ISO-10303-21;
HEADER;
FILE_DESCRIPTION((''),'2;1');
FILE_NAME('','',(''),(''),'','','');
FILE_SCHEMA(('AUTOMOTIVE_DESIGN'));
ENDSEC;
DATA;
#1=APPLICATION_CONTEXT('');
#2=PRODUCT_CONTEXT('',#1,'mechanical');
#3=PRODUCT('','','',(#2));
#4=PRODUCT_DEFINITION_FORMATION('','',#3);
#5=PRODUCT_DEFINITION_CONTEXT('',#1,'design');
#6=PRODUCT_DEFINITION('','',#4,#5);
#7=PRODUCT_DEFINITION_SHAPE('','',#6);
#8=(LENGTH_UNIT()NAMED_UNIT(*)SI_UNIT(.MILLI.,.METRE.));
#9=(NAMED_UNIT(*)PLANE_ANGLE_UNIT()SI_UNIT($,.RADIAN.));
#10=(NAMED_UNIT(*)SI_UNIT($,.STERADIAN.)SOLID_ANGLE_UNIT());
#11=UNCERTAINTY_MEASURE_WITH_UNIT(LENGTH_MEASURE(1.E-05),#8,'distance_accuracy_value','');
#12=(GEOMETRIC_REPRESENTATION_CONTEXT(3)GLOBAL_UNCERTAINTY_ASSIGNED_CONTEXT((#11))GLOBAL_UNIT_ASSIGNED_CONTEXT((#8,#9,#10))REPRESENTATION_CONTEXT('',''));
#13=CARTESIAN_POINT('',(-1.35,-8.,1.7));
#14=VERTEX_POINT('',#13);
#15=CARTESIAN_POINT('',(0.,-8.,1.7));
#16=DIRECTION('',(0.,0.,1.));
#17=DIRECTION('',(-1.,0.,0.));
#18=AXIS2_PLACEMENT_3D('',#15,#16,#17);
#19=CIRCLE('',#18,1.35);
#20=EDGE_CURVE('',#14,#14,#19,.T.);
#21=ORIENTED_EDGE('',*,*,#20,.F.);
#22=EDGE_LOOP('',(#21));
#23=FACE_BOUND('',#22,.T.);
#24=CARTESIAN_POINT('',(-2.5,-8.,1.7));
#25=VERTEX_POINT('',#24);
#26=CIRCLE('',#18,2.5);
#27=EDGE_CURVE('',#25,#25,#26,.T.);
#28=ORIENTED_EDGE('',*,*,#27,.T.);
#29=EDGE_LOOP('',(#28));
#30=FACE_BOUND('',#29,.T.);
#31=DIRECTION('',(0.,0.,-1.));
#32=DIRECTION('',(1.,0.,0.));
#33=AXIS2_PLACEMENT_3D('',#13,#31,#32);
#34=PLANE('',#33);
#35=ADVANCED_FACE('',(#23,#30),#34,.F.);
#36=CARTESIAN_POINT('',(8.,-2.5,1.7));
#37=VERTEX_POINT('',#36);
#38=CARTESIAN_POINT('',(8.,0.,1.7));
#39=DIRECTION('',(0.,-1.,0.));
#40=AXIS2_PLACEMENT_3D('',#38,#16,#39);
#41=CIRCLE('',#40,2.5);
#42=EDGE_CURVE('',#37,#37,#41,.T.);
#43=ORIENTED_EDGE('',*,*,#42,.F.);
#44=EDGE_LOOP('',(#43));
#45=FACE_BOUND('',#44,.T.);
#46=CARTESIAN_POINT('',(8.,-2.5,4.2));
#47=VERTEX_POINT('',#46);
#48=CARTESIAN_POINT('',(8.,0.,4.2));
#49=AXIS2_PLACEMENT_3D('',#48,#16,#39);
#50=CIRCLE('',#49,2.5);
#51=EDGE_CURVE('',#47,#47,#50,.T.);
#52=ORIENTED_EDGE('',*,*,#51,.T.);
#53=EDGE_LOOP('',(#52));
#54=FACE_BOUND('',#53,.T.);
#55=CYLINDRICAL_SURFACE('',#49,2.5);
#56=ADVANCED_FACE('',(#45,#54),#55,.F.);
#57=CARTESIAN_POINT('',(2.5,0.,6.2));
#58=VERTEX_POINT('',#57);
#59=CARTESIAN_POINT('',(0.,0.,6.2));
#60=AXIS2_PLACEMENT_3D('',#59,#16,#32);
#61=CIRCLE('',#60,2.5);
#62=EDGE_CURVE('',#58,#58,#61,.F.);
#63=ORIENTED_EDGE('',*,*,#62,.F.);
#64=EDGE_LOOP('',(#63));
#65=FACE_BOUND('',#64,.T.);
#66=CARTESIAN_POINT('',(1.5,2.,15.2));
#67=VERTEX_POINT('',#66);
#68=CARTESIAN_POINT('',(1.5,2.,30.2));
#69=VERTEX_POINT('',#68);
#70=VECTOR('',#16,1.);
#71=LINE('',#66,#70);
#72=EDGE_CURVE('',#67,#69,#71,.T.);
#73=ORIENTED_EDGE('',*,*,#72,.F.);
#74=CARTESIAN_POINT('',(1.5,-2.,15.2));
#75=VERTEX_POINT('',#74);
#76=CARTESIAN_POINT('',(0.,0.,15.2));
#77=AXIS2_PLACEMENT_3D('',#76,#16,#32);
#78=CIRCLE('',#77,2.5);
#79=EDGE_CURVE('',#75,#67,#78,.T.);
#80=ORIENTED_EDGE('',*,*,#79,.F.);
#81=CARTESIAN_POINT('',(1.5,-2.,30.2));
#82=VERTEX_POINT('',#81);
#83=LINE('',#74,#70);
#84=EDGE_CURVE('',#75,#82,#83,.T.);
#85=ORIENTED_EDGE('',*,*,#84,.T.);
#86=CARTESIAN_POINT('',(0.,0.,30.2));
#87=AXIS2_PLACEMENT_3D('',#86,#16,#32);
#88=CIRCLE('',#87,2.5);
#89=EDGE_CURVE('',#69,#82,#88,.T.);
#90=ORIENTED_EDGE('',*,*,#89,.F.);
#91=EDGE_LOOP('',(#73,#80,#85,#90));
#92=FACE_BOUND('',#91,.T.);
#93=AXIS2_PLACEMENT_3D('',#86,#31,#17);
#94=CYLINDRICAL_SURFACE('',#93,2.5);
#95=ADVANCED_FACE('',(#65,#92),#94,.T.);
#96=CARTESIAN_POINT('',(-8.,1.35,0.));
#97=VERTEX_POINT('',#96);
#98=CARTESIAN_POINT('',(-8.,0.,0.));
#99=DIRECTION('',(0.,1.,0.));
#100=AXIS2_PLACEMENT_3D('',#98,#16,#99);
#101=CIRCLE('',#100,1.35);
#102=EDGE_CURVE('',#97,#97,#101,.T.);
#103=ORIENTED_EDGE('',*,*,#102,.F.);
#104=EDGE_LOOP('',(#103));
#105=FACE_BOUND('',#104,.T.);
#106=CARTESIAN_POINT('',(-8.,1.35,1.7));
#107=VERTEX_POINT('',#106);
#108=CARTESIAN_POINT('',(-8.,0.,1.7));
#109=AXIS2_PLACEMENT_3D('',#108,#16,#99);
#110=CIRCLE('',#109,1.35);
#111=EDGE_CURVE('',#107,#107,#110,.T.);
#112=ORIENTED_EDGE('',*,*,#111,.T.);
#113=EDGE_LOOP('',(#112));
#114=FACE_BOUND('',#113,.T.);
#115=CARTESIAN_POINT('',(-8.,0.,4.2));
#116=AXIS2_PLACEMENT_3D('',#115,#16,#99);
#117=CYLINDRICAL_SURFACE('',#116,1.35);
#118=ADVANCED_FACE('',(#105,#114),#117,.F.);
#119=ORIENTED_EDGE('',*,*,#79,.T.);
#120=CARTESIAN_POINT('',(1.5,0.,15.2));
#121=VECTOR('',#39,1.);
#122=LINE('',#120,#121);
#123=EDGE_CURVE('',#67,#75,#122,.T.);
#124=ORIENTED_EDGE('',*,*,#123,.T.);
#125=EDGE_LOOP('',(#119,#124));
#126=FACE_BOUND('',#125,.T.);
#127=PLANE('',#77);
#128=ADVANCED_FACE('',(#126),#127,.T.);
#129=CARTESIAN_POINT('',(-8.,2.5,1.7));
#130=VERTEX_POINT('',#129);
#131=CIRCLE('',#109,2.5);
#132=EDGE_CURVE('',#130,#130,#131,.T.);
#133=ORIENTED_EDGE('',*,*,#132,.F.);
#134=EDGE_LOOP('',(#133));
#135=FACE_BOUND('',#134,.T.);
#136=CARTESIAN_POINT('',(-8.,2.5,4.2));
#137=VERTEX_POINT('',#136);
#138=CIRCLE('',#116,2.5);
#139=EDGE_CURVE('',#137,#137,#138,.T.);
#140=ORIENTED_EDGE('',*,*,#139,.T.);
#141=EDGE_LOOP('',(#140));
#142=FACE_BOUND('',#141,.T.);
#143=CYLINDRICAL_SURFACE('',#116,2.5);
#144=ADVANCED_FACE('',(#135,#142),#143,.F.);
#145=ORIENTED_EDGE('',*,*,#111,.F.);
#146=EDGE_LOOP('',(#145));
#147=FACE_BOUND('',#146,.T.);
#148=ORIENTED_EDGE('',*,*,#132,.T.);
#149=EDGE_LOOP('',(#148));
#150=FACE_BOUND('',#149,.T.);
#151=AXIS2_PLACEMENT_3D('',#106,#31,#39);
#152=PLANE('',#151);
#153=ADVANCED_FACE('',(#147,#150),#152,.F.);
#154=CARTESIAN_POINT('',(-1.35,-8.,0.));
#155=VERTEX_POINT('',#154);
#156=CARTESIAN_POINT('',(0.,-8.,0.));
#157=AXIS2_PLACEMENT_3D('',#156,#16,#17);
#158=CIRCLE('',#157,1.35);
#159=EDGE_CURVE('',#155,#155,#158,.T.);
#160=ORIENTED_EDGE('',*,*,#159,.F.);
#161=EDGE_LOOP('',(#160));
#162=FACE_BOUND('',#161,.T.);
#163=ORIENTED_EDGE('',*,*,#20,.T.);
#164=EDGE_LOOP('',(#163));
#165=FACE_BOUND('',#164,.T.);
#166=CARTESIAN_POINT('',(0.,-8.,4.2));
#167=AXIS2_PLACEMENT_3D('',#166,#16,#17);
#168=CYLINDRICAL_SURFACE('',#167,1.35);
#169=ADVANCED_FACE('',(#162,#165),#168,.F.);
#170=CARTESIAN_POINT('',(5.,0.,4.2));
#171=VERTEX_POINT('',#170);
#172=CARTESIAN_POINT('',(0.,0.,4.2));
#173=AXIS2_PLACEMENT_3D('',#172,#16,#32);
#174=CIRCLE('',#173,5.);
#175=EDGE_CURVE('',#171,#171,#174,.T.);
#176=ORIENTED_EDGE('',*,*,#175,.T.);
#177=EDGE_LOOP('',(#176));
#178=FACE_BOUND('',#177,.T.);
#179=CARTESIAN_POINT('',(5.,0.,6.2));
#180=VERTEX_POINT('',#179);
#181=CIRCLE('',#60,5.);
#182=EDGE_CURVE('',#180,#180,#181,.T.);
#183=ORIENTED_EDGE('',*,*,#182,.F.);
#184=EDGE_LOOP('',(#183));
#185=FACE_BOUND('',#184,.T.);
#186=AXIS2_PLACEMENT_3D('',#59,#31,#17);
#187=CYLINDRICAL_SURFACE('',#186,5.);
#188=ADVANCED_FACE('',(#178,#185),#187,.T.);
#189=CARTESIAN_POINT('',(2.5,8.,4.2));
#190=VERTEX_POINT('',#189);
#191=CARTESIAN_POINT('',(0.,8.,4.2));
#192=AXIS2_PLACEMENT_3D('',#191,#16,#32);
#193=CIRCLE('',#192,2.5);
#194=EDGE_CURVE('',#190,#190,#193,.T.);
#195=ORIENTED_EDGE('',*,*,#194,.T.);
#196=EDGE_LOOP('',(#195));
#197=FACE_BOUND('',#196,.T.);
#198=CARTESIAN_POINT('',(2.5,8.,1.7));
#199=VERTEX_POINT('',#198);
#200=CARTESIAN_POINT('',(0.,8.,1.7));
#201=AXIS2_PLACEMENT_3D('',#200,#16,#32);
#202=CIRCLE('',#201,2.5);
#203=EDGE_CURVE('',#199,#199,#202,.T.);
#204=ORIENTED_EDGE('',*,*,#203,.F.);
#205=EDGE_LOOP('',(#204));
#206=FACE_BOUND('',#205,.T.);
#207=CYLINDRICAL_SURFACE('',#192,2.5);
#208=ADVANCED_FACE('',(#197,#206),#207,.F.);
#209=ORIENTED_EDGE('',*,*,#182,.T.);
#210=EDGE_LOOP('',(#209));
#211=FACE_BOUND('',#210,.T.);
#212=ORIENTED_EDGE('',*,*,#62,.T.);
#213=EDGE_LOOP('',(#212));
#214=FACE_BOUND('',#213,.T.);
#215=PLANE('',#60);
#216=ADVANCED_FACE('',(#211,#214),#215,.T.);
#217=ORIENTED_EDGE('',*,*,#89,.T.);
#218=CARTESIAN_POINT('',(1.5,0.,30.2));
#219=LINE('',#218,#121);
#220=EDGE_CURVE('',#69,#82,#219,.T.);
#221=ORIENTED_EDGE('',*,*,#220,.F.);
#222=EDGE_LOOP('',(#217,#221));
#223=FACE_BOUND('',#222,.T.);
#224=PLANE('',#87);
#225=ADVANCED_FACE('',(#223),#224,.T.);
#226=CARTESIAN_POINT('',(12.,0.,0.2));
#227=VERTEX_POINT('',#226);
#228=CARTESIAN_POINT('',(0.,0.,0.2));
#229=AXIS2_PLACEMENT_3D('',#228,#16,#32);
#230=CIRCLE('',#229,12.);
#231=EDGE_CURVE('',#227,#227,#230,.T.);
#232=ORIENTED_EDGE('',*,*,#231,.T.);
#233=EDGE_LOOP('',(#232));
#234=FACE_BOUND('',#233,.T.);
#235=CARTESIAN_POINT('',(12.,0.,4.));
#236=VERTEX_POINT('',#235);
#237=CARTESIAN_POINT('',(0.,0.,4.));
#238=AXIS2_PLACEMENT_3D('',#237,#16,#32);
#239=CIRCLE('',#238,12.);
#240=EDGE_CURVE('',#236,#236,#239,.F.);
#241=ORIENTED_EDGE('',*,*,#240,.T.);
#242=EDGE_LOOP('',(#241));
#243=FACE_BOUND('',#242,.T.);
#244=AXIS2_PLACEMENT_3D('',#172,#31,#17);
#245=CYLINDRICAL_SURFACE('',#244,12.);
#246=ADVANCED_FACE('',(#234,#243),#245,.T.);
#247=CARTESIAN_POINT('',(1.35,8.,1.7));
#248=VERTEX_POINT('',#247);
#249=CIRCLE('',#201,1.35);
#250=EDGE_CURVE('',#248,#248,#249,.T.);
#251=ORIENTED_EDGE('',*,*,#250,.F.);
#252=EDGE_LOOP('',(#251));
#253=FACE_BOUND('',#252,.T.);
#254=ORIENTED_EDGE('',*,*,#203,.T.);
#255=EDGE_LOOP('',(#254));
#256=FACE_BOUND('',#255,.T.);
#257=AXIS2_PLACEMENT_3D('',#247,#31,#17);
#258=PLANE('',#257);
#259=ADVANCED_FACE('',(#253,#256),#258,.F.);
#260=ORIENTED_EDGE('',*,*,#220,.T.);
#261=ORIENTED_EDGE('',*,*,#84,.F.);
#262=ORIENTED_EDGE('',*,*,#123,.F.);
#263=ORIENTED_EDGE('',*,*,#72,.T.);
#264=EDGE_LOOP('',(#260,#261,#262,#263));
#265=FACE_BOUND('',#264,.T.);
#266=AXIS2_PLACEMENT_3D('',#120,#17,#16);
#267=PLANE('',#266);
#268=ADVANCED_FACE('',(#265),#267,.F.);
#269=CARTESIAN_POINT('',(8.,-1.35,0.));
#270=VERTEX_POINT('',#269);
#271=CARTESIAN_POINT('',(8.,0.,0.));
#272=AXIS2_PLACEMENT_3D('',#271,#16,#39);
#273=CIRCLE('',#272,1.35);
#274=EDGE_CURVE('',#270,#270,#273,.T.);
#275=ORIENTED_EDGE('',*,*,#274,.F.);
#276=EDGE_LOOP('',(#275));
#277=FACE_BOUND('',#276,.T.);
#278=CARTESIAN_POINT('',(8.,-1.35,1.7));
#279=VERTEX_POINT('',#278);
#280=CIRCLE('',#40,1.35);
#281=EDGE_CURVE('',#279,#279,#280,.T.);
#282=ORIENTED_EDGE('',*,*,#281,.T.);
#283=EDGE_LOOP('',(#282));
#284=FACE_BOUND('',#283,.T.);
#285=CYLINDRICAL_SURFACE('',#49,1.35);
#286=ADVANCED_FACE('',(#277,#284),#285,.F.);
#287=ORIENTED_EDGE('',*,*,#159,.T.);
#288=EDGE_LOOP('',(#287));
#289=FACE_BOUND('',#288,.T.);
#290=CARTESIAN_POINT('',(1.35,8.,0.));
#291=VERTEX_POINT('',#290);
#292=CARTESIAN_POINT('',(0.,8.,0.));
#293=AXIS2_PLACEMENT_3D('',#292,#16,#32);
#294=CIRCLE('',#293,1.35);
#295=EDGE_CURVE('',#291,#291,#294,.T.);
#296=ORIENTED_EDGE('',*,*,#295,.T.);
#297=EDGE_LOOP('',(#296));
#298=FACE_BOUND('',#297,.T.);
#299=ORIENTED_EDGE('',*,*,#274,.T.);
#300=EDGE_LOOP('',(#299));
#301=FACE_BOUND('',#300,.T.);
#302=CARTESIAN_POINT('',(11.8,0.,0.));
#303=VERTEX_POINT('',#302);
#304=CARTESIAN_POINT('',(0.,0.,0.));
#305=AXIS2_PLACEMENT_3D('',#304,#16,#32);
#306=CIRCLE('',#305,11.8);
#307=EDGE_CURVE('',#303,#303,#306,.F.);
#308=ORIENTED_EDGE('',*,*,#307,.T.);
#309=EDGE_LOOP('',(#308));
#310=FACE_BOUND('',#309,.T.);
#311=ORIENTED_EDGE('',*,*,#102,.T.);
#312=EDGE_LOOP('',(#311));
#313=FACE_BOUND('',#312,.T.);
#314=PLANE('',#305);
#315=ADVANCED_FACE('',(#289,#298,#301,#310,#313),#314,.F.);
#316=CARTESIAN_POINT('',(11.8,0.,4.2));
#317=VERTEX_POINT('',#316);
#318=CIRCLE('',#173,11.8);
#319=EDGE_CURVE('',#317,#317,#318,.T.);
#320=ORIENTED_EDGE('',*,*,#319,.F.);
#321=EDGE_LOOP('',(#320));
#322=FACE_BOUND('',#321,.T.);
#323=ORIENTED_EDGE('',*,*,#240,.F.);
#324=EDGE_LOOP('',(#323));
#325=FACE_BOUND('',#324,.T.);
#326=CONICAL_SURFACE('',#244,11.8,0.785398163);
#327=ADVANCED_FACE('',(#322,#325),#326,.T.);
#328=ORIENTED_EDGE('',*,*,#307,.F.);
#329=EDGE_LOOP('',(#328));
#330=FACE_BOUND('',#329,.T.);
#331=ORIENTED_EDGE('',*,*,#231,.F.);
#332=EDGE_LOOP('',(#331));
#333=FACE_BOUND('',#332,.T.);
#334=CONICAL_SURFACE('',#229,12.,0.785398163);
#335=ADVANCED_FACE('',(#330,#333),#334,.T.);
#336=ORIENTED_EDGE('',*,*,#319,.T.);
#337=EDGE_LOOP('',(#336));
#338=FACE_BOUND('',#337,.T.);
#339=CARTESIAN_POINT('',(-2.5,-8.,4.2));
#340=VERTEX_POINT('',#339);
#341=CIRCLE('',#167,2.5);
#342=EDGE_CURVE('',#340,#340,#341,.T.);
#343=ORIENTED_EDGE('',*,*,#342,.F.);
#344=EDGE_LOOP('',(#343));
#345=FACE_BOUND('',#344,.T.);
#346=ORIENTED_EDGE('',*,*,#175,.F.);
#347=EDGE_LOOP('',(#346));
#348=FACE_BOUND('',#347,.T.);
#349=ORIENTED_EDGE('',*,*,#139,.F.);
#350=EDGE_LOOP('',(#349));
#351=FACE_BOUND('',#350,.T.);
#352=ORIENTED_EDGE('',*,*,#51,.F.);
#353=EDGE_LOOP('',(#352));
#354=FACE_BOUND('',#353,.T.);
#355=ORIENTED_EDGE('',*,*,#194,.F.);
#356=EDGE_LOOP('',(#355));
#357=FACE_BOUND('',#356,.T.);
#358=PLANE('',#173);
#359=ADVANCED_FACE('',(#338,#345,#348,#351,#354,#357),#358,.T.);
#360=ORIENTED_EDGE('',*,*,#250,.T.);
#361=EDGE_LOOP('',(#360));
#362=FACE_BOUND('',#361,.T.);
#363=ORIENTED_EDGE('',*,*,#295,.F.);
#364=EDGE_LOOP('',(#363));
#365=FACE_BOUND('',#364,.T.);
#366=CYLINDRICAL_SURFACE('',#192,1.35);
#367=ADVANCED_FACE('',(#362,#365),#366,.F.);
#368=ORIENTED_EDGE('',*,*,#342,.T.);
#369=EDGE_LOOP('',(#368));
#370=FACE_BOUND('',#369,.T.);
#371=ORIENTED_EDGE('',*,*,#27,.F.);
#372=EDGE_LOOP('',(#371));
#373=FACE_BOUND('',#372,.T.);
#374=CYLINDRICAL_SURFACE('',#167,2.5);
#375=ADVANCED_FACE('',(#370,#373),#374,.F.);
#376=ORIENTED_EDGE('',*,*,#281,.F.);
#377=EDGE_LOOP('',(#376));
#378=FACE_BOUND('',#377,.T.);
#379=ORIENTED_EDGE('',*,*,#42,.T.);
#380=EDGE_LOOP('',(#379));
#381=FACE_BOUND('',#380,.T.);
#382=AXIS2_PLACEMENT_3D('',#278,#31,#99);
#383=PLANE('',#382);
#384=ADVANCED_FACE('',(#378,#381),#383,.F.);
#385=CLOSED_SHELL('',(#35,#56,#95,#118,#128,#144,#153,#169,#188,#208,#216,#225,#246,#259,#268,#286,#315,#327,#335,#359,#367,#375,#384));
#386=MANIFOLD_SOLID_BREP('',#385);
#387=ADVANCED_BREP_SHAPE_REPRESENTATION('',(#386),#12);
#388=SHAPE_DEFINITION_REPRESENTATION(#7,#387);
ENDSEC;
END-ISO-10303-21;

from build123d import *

# Parameters (mm, degrees)
SKETCH_1_R                     = 12
SKETCH_1_R_2                   = 3
EXTRUDE_1_DEPTH                = 4.2
SKETCH_2_R                     = 5
EXTRUDE_2_DEPTH                = 2
HOLE_WIZARD_M2_5_1_D           = 2.7
HOLE_WIZARD_M2_5_1_CBORE_D     = 5
HOLE_WIZARD_M2_5_1_CBORE_DEPTH = 2.5
PATTERN_CIRCULAR_1_COUNT       = 4
CHAMFER_3_SIZE                 = 0.2
SKETCH_12_R                    = 2.5
EXTRUDE_1662_DEPTH             = 26
CUT_EXTRUDE_START              = -15
CUT_EXTRUDE_1_DEPTH            = 15


with BuildPart() as part:
    # 草图1 → 凸台-拉伸1 (new body)
    # profile 1 of 2: a face of its own
    with BuildSketch(Plane.XY):
        Circle(SKETCH_1_R)
        Circle(SKETCH_1_R_2, mode=Mode.SUBTRACT)
    # profile 2 of 2: a face of its own
    with BuildSketch(Plane.XY):
        Circle(SKETCH_1_R_2)
    extrude(amount=EXTRUDE_1_DEPTH)

    # 草图2 → 凸台-拉伸2 (add)
    with BuildSketch(Plane.XY.offset(4.2)):
        Circle(SKETCH_2_R)
    extrude(amount=EXTRUDE_2_DEPTH)

    # M2.5 六角圆柱头螺钉的柱形沉头孔1 (through all)
    with Locations(Plane.XY.offset(4.2)):
        with Locations((0, 8)):
            hole_wizard_m2_5_1 = CounterBoreHole(HOLE_WIZARD_M2_5_1_D / 2, HOLE_WIZARD_M2_5_1_CBORE_D / 2, HOLE_WIZARD_M2_5_1_CBORE_DEPTH)

    # 阵列(圆周)1: M2.5 六角圆柱头螺钉的柱形沉头孔1 ×4 about axis
    pattern_circular_1_axis = Axis((0, 0, 0), (0, 0, 1))
    for i in range(1, PATTERN_CIRCULAR_1_COUNT):
        add(hole_wizard_m2_5_1.rotate(pattern_circular_1_axis, i * 360 / PATTERN_CIRCULAR_1_COUNT), mode=Mode.SUBTRACT)

    # 倒角3
    chamfer_3_edges = [part.edges().sort_by_distance(p)[0] for p in [
        (-12, 0, 0),
        (-12, 0, 4.2),
    ]]
    chamfer(chamfer_3_edges, length=CHAMFER_3_SIZE)

    # 草图12 → Extrude 1662 (add)
    with BuildSketch(Plane.XY.offset(4.2)):
        with Locations(Location((0, 0, 0), (0, 0, 180))):
            Circle(SKETCH_12_R)
    extrude(amount=EXTRUDE_1662_DEPTH)

    # 草图13 → 切除-拉伸1 (cut)
    with BuildSketch(Plane.XY.offset(30.2).offset(CUT_EXTRUDE_START)):
        with BuildLine():
            Line((1.5, 2), (1.5, -2))
            ThreePointArc((1.5, -2), (2.5, 0), (1.5, 2))
        make_face()
    extrude(amount=CUT_EXTRUDE_1_DEPTH, mode=Mode.SUBTRACT)


solid = part.part
